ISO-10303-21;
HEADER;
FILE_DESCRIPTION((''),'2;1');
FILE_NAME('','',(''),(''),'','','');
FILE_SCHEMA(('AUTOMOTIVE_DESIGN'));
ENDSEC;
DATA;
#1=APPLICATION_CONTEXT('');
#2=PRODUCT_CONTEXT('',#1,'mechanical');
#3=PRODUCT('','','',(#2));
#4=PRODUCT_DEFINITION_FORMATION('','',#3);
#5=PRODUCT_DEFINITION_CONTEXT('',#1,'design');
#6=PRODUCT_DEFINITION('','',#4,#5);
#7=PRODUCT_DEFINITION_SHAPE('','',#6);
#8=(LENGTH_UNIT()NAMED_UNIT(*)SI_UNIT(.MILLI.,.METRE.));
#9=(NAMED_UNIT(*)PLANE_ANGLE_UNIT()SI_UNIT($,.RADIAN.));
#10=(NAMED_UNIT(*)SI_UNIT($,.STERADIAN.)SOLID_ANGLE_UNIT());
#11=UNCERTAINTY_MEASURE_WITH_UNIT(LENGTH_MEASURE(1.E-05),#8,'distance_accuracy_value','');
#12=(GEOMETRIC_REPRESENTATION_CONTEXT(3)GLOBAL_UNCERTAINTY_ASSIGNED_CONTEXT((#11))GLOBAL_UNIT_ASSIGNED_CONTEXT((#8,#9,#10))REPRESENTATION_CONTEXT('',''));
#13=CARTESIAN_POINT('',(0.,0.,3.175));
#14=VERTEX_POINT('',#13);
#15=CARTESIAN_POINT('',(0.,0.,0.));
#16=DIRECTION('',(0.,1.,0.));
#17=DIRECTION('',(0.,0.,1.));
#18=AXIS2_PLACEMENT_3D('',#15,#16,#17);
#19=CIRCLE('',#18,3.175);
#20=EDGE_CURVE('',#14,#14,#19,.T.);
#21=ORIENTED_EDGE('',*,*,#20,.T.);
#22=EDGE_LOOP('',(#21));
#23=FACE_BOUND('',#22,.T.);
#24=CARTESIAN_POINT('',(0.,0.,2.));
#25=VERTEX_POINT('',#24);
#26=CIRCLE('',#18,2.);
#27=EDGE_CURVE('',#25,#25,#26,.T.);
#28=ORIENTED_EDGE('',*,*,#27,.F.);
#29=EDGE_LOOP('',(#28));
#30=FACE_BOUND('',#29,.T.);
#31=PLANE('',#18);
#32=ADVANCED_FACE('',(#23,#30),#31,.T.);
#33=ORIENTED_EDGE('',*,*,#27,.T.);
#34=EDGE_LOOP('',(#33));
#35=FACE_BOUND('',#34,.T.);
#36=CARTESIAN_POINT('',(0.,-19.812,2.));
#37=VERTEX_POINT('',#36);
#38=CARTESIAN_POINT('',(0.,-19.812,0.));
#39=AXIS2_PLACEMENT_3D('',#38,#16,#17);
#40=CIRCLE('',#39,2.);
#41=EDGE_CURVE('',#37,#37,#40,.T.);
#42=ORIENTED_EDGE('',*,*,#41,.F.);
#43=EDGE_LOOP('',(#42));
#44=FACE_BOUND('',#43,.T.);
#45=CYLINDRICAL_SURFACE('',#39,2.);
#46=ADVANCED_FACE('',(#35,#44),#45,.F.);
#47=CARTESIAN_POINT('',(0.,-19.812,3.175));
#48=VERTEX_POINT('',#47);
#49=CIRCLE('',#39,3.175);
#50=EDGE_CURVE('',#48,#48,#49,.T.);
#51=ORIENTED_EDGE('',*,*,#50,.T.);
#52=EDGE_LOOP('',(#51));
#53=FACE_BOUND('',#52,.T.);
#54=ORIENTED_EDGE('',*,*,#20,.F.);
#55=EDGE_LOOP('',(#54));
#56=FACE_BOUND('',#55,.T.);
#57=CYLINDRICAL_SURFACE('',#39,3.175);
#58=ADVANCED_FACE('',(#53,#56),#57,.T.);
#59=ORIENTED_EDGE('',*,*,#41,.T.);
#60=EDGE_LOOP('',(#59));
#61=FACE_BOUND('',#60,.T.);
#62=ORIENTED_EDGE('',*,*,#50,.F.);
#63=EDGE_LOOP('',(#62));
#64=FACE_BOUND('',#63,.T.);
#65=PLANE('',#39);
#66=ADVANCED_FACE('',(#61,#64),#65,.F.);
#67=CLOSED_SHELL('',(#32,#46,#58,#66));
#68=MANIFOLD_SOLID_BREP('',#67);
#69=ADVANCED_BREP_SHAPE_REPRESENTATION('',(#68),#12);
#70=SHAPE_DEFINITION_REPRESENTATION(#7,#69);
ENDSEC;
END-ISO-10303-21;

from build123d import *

# Parameters (mm, degrees)
SKETCH1_R           = 3.175
SKETCH1_R_2         = 2
BOSS_EXTRUDE1_DEPTH = 19.812


with BuildPart() as part:
    # Sketch1 → Boss-Extrude1 (new body)
    with BuildSketch(Plane(origin=(0, 0, 0), x_dir=(1, 0, 0), z_dir=(0, 1, 0))):
        with Locations(Location((0, 0, 0), (0, 0, 270))):
            Circle(SKETCH1_R)
        with Locations(Location((0, 0, 0), (0, 0, 270))):
            Circle(SKETCH1_R_2, mode=Mode.SUBTRACT)
    extrude(amount=-BOSS_EXTRUDE1_DEPTH)


solid = part.part
